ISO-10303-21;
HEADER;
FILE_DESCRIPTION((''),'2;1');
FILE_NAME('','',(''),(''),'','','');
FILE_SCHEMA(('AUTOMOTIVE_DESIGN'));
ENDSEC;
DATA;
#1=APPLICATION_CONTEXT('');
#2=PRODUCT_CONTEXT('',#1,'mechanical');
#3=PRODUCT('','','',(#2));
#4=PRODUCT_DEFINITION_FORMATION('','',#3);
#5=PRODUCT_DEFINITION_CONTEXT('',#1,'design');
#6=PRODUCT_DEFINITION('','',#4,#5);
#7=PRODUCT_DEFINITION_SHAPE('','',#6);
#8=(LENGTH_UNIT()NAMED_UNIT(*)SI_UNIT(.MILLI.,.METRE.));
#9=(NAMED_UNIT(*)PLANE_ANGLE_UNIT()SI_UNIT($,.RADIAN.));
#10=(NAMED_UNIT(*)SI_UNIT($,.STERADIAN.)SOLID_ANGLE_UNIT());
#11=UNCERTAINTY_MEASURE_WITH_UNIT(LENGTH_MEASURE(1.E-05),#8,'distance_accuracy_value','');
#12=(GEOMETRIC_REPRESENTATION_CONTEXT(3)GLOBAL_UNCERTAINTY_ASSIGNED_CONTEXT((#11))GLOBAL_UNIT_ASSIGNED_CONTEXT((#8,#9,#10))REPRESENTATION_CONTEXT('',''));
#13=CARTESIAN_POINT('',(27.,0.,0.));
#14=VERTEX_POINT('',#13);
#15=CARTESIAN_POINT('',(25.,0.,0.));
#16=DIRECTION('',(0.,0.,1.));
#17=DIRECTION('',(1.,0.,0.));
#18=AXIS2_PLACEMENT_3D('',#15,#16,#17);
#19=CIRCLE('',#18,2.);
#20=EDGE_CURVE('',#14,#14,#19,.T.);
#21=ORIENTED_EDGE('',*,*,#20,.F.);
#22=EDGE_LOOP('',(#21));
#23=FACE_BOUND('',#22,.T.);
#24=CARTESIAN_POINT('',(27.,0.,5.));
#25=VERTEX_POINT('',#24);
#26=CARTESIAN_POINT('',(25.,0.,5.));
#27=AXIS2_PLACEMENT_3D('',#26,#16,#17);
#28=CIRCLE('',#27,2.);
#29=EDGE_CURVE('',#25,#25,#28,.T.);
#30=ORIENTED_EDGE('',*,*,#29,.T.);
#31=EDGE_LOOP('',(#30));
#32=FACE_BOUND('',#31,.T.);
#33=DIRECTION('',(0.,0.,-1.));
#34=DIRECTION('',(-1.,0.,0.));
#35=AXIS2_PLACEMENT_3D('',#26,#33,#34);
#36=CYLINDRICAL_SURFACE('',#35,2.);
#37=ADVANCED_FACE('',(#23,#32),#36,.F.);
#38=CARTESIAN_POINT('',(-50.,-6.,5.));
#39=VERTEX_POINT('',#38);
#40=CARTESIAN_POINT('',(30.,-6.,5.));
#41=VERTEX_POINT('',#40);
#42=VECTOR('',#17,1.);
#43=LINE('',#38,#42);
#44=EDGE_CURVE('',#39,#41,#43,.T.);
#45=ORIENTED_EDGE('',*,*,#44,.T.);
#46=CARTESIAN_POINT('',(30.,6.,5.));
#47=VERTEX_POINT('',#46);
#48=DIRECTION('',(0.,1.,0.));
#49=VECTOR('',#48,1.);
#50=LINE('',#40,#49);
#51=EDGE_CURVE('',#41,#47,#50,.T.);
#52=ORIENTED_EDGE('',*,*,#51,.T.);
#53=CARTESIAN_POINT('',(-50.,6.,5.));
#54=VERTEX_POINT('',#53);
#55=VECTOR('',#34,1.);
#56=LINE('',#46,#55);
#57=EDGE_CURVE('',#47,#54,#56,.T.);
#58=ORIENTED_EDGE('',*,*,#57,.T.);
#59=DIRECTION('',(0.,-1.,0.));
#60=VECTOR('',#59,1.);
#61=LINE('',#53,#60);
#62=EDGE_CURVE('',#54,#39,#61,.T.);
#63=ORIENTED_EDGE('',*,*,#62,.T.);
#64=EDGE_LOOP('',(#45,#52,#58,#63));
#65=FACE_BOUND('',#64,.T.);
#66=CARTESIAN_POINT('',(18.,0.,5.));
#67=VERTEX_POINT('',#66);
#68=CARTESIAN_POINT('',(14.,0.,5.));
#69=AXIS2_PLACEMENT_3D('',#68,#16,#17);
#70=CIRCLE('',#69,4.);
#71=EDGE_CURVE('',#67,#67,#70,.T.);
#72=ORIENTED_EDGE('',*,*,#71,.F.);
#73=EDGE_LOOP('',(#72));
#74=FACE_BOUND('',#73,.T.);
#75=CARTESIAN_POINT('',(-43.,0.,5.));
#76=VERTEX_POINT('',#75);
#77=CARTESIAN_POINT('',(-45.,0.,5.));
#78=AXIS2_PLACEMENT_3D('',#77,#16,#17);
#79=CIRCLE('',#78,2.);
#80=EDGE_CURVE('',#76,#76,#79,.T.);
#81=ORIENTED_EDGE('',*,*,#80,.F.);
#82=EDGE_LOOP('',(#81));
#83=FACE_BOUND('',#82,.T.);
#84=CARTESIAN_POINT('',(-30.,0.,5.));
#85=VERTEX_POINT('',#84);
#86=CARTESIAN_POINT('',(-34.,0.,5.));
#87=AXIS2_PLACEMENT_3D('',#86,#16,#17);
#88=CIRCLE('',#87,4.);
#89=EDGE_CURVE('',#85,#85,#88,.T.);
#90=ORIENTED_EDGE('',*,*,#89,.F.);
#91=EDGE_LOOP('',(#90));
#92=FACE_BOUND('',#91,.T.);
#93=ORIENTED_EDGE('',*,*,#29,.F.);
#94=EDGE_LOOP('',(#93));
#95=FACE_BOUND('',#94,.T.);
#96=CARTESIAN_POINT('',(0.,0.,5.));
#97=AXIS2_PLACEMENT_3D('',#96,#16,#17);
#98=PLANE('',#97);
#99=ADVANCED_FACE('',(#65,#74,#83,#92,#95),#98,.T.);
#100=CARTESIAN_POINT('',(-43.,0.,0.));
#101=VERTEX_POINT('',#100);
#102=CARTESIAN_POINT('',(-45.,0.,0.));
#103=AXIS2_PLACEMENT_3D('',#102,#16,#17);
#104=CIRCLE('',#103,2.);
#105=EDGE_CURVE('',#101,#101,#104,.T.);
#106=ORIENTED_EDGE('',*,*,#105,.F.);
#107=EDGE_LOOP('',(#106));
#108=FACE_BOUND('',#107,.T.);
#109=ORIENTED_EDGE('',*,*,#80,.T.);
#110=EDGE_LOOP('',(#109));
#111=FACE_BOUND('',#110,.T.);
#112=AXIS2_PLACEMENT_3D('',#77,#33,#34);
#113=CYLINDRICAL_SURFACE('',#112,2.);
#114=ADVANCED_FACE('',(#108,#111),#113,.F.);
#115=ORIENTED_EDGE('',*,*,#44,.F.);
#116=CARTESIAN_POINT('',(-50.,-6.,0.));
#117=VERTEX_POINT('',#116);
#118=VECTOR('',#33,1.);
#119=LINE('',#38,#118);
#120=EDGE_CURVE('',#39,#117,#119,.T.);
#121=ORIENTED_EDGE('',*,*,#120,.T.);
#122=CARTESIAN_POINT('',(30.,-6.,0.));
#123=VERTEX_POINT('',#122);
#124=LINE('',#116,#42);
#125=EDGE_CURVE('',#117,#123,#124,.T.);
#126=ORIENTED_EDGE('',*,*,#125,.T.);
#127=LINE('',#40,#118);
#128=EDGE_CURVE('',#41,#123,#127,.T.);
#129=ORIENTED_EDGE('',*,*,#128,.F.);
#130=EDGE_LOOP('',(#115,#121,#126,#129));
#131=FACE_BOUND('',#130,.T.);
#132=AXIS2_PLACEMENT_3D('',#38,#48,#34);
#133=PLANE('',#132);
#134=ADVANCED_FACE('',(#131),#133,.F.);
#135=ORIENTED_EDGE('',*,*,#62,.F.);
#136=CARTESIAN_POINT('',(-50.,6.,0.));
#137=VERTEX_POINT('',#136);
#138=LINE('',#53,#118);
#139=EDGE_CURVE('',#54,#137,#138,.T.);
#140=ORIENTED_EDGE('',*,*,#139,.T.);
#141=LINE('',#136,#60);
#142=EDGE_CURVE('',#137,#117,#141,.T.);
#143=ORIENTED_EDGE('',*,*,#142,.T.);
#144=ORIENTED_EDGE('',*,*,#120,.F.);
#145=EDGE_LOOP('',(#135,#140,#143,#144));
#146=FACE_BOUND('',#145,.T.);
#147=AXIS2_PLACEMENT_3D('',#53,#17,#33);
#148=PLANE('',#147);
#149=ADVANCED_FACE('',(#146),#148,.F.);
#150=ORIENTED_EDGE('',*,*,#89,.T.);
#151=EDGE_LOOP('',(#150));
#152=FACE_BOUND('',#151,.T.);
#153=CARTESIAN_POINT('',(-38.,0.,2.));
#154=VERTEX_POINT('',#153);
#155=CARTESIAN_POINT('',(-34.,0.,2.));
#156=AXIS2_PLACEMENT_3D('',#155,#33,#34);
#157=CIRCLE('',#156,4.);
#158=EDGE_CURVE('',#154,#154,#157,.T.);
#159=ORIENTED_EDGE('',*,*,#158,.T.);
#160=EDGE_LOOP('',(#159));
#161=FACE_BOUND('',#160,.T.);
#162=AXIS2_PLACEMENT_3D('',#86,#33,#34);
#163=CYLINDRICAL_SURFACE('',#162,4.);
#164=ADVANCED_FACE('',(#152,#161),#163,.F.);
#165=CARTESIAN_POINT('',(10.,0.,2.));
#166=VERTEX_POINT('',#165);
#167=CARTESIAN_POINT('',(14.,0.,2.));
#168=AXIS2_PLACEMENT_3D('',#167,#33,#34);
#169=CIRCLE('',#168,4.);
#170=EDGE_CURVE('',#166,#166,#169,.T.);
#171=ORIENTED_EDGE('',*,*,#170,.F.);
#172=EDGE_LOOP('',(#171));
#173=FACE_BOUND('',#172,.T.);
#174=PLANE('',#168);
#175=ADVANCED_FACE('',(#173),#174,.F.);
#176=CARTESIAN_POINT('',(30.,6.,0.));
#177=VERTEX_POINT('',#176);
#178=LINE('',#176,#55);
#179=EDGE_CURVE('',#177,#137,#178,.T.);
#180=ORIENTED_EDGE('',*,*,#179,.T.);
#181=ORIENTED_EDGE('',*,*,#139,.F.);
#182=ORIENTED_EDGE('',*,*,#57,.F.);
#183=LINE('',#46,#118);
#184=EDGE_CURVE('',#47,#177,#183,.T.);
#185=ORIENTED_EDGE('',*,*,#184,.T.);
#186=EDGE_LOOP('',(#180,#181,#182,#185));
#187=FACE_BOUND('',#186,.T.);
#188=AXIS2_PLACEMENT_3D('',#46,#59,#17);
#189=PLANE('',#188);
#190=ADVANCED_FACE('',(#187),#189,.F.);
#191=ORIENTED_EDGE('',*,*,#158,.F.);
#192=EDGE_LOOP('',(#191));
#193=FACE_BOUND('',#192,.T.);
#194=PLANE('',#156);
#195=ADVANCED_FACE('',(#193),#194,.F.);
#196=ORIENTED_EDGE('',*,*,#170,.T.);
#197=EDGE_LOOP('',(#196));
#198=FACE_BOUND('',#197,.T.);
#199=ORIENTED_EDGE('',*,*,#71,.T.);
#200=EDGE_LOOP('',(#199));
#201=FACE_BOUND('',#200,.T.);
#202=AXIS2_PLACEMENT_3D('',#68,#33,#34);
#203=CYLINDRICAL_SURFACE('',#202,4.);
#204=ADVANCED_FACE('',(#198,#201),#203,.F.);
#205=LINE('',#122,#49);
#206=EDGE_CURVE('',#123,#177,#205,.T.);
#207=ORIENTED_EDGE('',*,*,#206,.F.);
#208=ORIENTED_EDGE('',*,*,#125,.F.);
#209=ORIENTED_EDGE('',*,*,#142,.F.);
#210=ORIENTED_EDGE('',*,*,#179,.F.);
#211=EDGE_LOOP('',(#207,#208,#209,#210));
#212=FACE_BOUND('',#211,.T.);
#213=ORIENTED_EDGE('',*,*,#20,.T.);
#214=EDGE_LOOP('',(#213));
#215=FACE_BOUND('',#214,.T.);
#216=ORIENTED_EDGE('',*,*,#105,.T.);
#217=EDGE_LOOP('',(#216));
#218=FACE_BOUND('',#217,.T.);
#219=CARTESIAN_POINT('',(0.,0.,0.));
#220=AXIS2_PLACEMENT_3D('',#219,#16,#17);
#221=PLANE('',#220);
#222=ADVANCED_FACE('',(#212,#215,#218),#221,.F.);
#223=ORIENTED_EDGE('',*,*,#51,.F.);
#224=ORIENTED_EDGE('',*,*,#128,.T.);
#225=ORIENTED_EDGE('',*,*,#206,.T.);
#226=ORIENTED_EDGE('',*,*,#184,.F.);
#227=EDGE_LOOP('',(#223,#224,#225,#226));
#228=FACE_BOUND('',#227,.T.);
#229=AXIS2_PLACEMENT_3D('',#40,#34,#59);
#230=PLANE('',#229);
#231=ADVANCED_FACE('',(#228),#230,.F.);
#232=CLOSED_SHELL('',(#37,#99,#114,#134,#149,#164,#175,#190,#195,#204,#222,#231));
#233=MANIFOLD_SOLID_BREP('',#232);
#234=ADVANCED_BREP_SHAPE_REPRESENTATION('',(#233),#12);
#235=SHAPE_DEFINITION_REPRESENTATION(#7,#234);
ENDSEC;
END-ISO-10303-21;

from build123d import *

# Parameters (mm, degrees)
SKETCH1_W           = 80
SKETCH1_H           = 12
SKETCH1_R           = 4
SKETCH1_R_2         = 2
BOSS_EXTRUDE1_DEPTH = 5
SKETCH2_R           = 4
BOSS_EXTRUDE2_DEPTH = 2


with BuildPart() as part:
    # Sketch1 → Boss-Extrude1 (new body)
    with BuildSketch(Plane.XY):
        with Locations((-10, 0)):
            Rectangle(SKETCH1_W, SKETCH1_H)
        with Locations((-34, 0)):
            Circle(SKETCH1_R, mode=Mode.SUBTRACT)
        with Locations((14, 0)):
            Circle(SKETCH1_R, mode=Mode.SUBTRACT)
        with Locations((-45, 0)):
            Circle(SKETCH1_R_2, mode=Mode.SUBTRACT)
        with Locations((25, 0)):
            Circle(SKETCH1_R_2, mode=Mode.SUBTRACT)
    extrude(amount=BOSS_EXTRUDE1_DEPTH)

    # Sketch2 → Boss-Extrude2 (add)
    with BuildSketch(Plane(origin=(0, 0, 0), x_dir=(-1, 0, 0), z_dir=(0, 0, -1))):
        with Locations((34, 0)):
            Circle(SKETCH2_R)
        with Locations((-14, 0)):
            Circle(SKETCH2_R)
    extrude(amount=-BOSS_EXTRUDE2_DEPTH)


solid = part.part
